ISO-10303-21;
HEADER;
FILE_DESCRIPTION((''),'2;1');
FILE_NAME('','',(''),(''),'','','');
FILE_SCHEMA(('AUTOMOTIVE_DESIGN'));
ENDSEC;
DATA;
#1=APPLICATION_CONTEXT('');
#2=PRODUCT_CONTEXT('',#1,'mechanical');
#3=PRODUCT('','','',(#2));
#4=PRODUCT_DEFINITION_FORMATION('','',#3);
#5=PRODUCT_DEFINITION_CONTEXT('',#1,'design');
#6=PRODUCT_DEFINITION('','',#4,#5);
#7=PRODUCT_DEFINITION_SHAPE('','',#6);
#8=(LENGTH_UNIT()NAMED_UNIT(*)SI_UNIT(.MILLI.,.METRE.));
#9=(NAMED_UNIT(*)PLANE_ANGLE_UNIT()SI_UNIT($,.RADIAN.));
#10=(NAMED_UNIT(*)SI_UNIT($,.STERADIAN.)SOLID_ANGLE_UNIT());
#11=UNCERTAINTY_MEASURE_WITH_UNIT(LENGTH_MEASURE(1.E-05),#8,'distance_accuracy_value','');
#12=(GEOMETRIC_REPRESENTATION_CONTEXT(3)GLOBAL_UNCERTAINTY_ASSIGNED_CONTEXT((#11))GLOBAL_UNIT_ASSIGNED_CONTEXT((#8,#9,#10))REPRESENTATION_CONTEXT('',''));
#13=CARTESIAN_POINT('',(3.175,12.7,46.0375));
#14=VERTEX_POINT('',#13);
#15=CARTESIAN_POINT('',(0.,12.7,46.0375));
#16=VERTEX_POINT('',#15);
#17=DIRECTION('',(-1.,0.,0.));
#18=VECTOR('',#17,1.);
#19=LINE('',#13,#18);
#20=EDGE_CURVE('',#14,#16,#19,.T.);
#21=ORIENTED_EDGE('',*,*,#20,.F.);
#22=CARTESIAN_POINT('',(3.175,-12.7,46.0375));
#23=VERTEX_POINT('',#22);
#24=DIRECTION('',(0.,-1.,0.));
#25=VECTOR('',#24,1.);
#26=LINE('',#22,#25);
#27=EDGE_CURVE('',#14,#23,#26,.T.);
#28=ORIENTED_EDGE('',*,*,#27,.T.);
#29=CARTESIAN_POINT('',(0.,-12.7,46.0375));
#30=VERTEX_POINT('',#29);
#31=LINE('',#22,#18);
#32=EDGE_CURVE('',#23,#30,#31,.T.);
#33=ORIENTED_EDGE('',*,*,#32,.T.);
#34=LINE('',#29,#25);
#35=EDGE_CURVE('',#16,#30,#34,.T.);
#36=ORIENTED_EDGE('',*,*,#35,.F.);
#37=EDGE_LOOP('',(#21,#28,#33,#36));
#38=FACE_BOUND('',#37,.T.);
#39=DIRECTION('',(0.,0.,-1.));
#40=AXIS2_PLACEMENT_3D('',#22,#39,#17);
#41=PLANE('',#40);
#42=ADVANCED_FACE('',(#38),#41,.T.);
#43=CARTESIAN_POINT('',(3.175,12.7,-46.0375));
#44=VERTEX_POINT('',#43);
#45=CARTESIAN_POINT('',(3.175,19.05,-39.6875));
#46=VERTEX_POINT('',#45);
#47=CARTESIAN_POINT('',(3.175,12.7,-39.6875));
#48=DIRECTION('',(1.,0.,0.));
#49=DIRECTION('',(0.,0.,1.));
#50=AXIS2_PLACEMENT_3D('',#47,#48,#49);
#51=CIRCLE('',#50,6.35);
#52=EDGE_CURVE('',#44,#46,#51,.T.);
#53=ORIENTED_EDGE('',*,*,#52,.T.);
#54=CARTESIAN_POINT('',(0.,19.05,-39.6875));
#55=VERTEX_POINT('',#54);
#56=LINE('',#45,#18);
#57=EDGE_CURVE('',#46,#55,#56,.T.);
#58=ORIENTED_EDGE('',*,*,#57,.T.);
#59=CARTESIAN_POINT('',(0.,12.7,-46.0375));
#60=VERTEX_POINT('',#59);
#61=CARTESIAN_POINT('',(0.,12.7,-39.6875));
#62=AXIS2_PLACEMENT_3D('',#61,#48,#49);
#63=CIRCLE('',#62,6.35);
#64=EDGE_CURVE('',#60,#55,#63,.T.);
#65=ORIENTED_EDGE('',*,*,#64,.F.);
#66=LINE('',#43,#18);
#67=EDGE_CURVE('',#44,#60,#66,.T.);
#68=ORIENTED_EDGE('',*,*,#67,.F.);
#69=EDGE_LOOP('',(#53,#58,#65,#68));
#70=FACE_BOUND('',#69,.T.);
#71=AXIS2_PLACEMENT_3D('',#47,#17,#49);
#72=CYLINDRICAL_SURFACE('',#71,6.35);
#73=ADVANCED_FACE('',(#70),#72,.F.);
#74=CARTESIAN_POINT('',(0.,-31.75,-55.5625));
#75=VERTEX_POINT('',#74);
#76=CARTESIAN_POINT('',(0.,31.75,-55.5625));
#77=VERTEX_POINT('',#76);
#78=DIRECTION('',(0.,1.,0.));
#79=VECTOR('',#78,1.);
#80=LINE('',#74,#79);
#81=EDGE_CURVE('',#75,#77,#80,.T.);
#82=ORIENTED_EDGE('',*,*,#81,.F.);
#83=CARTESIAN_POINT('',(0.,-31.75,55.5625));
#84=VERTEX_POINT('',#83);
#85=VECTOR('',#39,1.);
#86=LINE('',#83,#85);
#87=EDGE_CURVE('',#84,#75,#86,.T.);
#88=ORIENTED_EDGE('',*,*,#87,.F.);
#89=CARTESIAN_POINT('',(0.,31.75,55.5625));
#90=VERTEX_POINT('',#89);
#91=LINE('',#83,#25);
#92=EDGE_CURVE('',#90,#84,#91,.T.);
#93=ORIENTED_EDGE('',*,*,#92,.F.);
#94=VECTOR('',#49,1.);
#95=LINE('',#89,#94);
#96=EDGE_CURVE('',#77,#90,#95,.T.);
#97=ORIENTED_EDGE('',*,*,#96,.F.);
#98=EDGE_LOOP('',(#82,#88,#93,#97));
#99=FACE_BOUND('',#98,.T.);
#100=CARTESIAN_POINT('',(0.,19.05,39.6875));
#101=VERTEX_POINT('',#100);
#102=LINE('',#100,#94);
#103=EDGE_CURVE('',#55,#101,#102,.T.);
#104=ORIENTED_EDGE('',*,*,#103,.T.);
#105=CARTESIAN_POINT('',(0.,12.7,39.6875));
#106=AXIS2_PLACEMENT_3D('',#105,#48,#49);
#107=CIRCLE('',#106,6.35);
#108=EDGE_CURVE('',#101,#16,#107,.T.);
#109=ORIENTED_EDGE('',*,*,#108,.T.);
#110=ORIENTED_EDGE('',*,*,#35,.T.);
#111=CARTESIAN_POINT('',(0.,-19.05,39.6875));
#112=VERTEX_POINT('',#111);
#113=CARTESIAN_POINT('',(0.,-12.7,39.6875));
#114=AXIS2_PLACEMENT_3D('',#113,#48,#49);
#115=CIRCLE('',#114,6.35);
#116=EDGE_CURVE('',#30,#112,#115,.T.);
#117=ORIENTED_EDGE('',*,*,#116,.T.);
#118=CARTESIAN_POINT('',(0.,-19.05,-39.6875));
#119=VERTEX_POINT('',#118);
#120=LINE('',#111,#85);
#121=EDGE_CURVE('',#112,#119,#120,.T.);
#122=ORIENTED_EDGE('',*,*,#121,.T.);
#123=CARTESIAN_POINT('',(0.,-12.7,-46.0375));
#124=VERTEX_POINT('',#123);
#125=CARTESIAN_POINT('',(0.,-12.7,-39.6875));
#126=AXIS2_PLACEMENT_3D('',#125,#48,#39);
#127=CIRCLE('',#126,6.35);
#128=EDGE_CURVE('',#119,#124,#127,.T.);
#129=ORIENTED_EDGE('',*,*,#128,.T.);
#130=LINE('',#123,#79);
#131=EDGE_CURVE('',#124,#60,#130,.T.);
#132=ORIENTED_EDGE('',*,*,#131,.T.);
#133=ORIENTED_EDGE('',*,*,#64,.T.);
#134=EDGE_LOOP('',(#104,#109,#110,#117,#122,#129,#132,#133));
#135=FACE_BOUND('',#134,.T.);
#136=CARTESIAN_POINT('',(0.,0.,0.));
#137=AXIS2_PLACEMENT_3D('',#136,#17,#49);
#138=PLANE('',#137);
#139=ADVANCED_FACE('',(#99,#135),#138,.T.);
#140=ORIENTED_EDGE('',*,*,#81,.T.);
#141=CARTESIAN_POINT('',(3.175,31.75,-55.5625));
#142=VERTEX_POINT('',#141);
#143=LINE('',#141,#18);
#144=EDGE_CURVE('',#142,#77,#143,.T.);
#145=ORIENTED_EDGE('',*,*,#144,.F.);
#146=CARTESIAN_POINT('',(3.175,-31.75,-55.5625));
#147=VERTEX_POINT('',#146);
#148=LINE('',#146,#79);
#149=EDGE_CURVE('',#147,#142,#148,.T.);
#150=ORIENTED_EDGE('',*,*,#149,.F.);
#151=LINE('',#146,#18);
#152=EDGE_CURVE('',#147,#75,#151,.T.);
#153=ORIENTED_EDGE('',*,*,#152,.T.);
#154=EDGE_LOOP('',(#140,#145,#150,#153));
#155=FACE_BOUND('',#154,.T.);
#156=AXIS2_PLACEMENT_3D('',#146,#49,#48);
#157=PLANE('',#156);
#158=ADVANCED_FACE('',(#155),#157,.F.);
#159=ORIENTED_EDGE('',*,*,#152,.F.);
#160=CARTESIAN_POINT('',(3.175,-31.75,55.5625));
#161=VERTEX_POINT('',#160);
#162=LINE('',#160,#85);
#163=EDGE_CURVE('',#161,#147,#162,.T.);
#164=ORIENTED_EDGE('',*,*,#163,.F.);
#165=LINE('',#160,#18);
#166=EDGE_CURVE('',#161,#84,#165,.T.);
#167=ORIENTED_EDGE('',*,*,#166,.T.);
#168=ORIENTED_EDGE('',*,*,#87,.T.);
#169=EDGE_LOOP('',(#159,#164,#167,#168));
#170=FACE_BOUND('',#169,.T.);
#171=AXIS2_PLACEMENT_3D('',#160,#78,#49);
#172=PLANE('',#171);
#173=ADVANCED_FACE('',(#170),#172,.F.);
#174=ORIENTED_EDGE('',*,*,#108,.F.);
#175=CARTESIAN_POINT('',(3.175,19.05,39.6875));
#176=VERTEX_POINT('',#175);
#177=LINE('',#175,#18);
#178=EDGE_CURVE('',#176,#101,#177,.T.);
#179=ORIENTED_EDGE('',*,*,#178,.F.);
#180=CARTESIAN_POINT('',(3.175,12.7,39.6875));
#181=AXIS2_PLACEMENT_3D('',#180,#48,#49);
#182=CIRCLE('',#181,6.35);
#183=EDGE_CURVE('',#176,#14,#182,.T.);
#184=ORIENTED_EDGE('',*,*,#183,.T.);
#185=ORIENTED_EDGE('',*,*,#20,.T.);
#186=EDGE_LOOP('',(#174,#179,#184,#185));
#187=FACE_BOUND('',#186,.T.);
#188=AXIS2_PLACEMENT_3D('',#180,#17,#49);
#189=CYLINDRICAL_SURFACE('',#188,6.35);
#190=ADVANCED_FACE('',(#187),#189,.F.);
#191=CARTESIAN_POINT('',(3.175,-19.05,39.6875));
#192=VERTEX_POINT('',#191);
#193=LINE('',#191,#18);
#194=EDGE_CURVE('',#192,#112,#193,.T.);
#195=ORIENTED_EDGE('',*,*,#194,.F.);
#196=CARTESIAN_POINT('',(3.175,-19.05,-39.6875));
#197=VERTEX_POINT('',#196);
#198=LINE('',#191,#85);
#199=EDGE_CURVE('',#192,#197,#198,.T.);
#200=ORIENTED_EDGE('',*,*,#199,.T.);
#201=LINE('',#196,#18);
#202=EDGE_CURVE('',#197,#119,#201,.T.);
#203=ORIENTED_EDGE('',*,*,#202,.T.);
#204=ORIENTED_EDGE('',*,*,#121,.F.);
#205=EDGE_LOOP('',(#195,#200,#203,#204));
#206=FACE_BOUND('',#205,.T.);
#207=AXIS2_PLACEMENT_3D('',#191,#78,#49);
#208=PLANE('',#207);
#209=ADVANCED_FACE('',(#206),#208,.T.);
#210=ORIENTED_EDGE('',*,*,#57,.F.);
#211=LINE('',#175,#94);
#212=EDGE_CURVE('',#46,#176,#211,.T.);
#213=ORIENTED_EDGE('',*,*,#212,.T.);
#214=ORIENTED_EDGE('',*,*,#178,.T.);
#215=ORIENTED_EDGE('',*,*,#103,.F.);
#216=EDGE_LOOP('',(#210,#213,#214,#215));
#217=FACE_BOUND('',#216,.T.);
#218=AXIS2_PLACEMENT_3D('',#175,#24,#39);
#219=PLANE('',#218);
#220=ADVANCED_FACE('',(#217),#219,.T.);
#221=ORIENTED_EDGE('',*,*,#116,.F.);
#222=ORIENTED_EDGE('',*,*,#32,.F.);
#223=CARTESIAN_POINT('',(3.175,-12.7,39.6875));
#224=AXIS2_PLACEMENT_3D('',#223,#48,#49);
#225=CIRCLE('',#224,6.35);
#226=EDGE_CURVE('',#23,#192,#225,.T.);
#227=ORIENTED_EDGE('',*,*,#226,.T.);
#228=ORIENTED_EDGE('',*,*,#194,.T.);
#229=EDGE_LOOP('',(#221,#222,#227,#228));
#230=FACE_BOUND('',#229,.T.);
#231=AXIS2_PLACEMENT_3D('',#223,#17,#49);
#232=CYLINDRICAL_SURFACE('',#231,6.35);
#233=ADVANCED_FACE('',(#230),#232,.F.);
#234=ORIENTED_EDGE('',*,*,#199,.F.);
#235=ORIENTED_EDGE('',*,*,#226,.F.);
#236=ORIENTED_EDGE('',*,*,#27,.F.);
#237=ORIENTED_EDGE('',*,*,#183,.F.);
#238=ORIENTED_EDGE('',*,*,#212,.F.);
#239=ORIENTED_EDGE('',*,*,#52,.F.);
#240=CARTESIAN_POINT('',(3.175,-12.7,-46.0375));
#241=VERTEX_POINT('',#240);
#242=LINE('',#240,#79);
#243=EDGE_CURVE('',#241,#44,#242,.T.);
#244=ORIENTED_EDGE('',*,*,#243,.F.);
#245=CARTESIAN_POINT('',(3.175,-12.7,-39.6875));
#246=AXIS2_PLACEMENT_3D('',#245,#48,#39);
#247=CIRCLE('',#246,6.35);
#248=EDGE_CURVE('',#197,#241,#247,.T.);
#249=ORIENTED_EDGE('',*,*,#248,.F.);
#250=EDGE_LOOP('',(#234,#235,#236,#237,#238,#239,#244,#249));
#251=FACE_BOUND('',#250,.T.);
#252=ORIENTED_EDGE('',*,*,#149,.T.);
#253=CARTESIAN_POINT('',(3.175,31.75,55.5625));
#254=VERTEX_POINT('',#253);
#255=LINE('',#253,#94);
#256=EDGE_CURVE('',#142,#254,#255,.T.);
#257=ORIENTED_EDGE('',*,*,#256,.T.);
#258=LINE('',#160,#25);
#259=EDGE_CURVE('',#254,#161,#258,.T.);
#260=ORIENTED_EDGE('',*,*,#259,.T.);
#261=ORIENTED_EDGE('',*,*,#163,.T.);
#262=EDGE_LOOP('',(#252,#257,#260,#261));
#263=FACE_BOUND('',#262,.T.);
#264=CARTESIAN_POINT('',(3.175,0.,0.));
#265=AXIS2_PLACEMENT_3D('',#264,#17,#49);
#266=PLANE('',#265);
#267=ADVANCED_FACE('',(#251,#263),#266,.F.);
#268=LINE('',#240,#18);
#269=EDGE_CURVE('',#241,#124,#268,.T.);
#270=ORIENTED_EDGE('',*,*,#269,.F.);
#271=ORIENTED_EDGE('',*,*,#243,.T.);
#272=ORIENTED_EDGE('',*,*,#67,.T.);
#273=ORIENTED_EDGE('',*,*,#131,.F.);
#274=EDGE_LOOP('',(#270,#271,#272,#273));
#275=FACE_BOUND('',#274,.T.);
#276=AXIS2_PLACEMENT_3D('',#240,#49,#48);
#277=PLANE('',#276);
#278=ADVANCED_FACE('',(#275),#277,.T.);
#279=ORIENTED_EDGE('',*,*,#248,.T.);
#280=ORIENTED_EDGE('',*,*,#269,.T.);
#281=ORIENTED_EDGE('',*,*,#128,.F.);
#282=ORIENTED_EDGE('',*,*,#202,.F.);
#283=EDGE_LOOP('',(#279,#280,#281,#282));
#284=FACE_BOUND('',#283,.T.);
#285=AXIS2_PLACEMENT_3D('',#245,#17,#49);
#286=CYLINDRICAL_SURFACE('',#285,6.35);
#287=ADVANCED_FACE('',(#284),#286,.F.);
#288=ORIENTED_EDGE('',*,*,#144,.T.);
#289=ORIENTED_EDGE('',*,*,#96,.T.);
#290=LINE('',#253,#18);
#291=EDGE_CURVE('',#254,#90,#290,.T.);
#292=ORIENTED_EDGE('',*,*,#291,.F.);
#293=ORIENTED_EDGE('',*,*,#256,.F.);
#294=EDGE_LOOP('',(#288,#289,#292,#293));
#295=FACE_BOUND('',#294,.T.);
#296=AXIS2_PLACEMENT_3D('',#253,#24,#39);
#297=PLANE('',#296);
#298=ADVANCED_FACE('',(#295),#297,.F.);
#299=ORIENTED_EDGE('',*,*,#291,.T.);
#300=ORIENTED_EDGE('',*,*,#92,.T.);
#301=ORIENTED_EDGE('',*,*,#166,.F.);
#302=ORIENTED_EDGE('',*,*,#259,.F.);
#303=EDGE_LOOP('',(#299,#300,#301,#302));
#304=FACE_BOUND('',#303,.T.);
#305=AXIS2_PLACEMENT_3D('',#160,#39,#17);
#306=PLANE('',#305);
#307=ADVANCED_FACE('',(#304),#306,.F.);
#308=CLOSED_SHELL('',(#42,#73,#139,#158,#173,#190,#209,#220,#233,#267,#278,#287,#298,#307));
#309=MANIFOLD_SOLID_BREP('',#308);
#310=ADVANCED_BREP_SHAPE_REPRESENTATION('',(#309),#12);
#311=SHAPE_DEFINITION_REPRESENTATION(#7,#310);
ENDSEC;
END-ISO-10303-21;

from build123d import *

# Parameters (mm, degrees)
SKETCH3_W           = 111.125
SKETCH3_H           = 63.5
BOSS_EXTRUDE1_DEPTH = 3.175


with BuildPart() as part:
    # Sketch3 → Boss-Extrude1 (new body)
    with BuildSketch(Plane(origin=(0, 0, 0), x_dir=(0, 0, -1), z_dir=(1, 0, 0))):
        Rectangle(SKETCH3_W, SKETCH3_H)
        with BuildLine():
            Line((-39.6875, -19.05), (39.6875, -19.05))
            ThreePointArc((39.6875, -19.05), (44.177628061, -17.190128061), (46.0375, -12.7))
            Line((46.0375, -12.7), (46.0375, 12.7))
            ThreePointArc((46.0375, 12.7), (44.177628061, 17.190128061), (39.6875, 19.05))
            Line((39.6875, 19.05), (-39.6875, 19.05))
            ThreePointArc((-39.6875, 19.05), (-44.177628061, 17.190128061), (-46.0375, 12.7))
            Line((-46.0375, 12.7), (-46.0375, -12.7))
            ThreePointArc((-46.0375, -12.7), (-44.177628061, -17.190128061), (-39.6875, -19.05))
        make_face(mode=Mode.SUBTRACT)
    extrude(amount=BOSS_EXTRUDE1_DEPTH)


solid = part.part
